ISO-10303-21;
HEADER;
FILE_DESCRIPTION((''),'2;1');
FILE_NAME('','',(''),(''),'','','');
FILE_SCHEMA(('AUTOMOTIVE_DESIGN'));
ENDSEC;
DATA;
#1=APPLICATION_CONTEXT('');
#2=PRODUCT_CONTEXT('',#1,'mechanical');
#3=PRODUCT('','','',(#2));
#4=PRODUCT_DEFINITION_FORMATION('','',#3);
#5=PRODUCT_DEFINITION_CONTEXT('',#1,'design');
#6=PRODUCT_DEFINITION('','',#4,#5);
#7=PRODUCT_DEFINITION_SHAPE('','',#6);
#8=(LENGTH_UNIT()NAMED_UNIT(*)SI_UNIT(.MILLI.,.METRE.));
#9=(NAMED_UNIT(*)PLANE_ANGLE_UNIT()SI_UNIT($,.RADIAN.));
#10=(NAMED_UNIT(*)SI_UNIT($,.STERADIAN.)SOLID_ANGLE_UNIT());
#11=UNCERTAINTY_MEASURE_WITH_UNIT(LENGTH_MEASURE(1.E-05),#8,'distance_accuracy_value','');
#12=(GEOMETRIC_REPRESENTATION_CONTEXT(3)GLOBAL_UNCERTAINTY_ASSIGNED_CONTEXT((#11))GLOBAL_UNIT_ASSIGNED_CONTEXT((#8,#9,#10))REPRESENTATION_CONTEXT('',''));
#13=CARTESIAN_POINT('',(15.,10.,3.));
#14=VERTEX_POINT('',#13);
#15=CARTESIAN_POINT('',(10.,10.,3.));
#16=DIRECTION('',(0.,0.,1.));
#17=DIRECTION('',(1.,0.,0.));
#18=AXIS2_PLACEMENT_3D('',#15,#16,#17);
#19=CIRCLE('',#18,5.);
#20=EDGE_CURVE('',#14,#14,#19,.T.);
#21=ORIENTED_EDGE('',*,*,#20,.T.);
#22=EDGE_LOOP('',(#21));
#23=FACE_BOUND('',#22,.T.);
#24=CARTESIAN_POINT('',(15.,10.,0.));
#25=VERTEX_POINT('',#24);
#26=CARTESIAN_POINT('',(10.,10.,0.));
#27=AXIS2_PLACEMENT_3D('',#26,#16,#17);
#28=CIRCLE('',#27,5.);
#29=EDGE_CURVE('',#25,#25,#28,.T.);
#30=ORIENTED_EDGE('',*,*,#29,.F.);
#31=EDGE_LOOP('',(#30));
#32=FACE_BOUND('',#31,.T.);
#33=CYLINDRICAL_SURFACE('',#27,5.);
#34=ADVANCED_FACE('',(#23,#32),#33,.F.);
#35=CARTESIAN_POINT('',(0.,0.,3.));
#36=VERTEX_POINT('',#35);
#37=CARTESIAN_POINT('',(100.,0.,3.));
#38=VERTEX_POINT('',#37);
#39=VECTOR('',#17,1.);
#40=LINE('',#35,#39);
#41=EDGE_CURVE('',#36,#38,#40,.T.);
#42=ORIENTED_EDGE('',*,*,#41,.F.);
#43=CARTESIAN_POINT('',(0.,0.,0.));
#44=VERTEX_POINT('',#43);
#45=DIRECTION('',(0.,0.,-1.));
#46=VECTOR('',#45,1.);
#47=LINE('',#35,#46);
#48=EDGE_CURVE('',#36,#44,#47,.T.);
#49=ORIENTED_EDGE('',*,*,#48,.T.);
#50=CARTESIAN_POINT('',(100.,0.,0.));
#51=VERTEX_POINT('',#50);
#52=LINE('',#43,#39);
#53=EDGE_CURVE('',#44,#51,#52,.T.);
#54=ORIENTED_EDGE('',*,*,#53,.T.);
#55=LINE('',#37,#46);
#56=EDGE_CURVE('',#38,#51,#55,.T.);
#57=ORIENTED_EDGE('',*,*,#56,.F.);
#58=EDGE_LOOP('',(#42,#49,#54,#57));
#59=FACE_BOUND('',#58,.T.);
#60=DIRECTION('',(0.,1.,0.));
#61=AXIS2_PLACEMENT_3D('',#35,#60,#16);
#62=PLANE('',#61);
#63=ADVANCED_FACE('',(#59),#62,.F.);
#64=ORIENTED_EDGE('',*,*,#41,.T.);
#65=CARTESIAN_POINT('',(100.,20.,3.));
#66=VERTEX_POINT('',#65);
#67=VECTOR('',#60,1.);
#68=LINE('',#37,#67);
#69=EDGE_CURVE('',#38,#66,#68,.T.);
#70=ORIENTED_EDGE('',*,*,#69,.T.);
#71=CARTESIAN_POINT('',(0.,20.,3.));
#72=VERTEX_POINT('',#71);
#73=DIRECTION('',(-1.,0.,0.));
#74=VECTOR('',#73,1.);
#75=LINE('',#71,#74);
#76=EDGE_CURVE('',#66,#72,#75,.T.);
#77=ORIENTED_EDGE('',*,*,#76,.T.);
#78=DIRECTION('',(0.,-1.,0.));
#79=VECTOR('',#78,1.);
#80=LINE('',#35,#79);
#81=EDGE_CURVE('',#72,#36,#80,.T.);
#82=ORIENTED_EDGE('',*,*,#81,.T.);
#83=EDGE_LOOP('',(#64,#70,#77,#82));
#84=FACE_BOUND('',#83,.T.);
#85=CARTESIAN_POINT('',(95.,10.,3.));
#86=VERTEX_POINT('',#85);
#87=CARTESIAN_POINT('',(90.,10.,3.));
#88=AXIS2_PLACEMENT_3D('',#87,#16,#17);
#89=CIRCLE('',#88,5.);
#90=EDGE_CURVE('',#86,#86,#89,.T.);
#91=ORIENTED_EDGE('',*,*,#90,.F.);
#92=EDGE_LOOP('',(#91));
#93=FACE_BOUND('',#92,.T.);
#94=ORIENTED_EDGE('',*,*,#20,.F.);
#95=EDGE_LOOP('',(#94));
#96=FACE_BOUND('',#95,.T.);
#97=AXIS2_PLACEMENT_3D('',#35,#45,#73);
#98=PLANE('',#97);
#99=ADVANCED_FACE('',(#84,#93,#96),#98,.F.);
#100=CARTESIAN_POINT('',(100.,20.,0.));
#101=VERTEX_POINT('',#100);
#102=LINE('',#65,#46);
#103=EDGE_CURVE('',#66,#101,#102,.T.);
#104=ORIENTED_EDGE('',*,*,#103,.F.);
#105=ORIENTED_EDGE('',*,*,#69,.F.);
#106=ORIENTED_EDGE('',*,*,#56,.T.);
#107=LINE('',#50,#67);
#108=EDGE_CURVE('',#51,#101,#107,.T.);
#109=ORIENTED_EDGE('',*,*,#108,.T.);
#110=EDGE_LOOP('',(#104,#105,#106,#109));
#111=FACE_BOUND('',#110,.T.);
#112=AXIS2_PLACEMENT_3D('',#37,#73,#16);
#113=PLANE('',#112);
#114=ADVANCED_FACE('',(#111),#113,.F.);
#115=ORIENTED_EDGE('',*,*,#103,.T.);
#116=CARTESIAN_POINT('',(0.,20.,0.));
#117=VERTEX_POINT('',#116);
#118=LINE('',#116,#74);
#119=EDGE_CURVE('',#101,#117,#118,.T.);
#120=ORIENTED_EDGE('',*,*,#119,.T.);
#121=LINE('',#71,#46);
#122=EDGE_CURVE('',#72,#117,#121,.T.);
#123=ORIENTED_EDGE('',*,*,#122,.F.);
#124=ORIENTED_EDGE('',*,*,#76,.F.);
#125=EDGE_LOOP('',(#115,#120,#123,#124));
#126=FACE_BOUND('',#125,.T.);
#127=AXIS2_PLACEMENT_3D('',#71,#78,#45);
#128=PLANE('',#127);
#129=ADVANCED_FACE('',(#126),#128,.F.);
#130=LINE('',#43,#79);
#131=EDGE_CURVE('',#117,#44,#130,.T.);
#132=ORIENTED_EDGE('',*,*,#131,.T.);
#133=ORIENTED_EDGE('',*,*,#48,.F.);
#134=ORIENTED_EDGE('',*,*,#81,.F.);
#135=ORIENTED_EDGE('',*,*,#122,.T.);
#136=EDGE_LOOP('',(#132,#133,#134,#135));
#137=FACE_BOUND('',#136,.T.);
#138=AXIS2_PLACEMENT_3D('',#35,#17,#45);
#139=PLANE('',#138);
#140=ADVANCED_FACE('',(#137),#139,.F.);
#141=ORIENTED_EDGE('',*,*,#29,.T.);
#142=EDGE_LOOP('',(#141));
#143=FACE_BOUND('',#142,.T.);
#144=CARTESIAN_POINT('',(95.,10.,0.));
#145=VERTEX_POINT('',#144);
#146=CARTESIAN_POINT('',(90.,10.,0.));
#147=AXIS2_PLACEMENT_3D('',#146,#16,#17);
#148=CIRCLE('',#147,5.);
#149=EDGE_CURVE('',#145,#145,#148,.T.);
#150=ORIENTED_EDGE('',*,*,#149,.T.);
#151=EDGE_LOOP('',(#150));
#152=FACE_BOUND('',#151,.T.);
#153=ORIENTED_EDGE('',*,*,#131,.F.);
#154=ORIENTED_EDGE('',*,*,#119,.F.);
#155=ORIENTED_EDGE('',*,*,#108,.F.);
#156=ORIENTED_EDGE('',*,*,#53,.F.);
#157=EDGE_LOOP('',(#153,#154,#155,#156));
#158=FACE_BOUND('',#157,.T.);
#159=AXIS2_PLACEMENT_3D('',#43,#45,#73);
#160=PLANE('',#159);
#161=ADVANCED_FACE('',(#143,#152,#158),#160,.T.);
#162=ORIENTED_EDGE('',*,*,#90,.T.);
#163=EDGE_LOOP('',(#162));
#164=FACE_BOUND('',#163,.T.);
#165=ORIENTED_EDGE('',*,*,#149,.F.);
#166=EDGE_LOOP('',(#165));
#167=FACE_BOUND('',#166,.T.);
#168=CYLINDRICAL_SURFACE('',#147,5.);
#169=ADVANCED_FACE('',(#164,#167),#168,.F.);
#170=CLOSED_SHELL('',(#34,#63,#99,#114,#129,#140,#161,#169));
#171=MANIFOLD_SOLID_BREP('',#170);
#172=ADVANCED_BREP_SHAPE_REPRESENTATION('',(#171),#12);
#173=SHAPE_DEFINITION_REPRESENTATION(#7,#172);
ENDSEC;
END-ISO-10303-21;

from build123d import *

# Parameters (mm, degrees)
SKETCH_1_W          = 100
SKETCH_1_H          = 20
EXTRUDE_1_DEPTH     = 3
SKETCH_2_R          = 5
CUT_EXTRUDE_1_DEPTH = 3


with BuildPart() as part:
    # ｽｹｯﾁ1 → ﾎﾞｽ - 押し出し1 (new body)
    with BuildSketch(Plane.XY):
        with Locations((50, 10)):
            Rectangle(SKETCH_1_W, SKETCH_1_H)
    extrude(amount=EXTRUDE_1_DEPTH)

    # ｽｹｯﾁ2 → ｶｯﾄ - 押し出し1 (cut)
    with BuildSketch(Plane.XY.offset(3)):
        with Locations((10, 10)):
            Circle(SKETCH_2_R)
        with Locations((90, 10)):
            Circle(SKETCH_2_R)
    extrude(amount=-CUT_EXTRUDE_1_DEPTH, mode=Mode.SUBTRACT)


solid = part.part
